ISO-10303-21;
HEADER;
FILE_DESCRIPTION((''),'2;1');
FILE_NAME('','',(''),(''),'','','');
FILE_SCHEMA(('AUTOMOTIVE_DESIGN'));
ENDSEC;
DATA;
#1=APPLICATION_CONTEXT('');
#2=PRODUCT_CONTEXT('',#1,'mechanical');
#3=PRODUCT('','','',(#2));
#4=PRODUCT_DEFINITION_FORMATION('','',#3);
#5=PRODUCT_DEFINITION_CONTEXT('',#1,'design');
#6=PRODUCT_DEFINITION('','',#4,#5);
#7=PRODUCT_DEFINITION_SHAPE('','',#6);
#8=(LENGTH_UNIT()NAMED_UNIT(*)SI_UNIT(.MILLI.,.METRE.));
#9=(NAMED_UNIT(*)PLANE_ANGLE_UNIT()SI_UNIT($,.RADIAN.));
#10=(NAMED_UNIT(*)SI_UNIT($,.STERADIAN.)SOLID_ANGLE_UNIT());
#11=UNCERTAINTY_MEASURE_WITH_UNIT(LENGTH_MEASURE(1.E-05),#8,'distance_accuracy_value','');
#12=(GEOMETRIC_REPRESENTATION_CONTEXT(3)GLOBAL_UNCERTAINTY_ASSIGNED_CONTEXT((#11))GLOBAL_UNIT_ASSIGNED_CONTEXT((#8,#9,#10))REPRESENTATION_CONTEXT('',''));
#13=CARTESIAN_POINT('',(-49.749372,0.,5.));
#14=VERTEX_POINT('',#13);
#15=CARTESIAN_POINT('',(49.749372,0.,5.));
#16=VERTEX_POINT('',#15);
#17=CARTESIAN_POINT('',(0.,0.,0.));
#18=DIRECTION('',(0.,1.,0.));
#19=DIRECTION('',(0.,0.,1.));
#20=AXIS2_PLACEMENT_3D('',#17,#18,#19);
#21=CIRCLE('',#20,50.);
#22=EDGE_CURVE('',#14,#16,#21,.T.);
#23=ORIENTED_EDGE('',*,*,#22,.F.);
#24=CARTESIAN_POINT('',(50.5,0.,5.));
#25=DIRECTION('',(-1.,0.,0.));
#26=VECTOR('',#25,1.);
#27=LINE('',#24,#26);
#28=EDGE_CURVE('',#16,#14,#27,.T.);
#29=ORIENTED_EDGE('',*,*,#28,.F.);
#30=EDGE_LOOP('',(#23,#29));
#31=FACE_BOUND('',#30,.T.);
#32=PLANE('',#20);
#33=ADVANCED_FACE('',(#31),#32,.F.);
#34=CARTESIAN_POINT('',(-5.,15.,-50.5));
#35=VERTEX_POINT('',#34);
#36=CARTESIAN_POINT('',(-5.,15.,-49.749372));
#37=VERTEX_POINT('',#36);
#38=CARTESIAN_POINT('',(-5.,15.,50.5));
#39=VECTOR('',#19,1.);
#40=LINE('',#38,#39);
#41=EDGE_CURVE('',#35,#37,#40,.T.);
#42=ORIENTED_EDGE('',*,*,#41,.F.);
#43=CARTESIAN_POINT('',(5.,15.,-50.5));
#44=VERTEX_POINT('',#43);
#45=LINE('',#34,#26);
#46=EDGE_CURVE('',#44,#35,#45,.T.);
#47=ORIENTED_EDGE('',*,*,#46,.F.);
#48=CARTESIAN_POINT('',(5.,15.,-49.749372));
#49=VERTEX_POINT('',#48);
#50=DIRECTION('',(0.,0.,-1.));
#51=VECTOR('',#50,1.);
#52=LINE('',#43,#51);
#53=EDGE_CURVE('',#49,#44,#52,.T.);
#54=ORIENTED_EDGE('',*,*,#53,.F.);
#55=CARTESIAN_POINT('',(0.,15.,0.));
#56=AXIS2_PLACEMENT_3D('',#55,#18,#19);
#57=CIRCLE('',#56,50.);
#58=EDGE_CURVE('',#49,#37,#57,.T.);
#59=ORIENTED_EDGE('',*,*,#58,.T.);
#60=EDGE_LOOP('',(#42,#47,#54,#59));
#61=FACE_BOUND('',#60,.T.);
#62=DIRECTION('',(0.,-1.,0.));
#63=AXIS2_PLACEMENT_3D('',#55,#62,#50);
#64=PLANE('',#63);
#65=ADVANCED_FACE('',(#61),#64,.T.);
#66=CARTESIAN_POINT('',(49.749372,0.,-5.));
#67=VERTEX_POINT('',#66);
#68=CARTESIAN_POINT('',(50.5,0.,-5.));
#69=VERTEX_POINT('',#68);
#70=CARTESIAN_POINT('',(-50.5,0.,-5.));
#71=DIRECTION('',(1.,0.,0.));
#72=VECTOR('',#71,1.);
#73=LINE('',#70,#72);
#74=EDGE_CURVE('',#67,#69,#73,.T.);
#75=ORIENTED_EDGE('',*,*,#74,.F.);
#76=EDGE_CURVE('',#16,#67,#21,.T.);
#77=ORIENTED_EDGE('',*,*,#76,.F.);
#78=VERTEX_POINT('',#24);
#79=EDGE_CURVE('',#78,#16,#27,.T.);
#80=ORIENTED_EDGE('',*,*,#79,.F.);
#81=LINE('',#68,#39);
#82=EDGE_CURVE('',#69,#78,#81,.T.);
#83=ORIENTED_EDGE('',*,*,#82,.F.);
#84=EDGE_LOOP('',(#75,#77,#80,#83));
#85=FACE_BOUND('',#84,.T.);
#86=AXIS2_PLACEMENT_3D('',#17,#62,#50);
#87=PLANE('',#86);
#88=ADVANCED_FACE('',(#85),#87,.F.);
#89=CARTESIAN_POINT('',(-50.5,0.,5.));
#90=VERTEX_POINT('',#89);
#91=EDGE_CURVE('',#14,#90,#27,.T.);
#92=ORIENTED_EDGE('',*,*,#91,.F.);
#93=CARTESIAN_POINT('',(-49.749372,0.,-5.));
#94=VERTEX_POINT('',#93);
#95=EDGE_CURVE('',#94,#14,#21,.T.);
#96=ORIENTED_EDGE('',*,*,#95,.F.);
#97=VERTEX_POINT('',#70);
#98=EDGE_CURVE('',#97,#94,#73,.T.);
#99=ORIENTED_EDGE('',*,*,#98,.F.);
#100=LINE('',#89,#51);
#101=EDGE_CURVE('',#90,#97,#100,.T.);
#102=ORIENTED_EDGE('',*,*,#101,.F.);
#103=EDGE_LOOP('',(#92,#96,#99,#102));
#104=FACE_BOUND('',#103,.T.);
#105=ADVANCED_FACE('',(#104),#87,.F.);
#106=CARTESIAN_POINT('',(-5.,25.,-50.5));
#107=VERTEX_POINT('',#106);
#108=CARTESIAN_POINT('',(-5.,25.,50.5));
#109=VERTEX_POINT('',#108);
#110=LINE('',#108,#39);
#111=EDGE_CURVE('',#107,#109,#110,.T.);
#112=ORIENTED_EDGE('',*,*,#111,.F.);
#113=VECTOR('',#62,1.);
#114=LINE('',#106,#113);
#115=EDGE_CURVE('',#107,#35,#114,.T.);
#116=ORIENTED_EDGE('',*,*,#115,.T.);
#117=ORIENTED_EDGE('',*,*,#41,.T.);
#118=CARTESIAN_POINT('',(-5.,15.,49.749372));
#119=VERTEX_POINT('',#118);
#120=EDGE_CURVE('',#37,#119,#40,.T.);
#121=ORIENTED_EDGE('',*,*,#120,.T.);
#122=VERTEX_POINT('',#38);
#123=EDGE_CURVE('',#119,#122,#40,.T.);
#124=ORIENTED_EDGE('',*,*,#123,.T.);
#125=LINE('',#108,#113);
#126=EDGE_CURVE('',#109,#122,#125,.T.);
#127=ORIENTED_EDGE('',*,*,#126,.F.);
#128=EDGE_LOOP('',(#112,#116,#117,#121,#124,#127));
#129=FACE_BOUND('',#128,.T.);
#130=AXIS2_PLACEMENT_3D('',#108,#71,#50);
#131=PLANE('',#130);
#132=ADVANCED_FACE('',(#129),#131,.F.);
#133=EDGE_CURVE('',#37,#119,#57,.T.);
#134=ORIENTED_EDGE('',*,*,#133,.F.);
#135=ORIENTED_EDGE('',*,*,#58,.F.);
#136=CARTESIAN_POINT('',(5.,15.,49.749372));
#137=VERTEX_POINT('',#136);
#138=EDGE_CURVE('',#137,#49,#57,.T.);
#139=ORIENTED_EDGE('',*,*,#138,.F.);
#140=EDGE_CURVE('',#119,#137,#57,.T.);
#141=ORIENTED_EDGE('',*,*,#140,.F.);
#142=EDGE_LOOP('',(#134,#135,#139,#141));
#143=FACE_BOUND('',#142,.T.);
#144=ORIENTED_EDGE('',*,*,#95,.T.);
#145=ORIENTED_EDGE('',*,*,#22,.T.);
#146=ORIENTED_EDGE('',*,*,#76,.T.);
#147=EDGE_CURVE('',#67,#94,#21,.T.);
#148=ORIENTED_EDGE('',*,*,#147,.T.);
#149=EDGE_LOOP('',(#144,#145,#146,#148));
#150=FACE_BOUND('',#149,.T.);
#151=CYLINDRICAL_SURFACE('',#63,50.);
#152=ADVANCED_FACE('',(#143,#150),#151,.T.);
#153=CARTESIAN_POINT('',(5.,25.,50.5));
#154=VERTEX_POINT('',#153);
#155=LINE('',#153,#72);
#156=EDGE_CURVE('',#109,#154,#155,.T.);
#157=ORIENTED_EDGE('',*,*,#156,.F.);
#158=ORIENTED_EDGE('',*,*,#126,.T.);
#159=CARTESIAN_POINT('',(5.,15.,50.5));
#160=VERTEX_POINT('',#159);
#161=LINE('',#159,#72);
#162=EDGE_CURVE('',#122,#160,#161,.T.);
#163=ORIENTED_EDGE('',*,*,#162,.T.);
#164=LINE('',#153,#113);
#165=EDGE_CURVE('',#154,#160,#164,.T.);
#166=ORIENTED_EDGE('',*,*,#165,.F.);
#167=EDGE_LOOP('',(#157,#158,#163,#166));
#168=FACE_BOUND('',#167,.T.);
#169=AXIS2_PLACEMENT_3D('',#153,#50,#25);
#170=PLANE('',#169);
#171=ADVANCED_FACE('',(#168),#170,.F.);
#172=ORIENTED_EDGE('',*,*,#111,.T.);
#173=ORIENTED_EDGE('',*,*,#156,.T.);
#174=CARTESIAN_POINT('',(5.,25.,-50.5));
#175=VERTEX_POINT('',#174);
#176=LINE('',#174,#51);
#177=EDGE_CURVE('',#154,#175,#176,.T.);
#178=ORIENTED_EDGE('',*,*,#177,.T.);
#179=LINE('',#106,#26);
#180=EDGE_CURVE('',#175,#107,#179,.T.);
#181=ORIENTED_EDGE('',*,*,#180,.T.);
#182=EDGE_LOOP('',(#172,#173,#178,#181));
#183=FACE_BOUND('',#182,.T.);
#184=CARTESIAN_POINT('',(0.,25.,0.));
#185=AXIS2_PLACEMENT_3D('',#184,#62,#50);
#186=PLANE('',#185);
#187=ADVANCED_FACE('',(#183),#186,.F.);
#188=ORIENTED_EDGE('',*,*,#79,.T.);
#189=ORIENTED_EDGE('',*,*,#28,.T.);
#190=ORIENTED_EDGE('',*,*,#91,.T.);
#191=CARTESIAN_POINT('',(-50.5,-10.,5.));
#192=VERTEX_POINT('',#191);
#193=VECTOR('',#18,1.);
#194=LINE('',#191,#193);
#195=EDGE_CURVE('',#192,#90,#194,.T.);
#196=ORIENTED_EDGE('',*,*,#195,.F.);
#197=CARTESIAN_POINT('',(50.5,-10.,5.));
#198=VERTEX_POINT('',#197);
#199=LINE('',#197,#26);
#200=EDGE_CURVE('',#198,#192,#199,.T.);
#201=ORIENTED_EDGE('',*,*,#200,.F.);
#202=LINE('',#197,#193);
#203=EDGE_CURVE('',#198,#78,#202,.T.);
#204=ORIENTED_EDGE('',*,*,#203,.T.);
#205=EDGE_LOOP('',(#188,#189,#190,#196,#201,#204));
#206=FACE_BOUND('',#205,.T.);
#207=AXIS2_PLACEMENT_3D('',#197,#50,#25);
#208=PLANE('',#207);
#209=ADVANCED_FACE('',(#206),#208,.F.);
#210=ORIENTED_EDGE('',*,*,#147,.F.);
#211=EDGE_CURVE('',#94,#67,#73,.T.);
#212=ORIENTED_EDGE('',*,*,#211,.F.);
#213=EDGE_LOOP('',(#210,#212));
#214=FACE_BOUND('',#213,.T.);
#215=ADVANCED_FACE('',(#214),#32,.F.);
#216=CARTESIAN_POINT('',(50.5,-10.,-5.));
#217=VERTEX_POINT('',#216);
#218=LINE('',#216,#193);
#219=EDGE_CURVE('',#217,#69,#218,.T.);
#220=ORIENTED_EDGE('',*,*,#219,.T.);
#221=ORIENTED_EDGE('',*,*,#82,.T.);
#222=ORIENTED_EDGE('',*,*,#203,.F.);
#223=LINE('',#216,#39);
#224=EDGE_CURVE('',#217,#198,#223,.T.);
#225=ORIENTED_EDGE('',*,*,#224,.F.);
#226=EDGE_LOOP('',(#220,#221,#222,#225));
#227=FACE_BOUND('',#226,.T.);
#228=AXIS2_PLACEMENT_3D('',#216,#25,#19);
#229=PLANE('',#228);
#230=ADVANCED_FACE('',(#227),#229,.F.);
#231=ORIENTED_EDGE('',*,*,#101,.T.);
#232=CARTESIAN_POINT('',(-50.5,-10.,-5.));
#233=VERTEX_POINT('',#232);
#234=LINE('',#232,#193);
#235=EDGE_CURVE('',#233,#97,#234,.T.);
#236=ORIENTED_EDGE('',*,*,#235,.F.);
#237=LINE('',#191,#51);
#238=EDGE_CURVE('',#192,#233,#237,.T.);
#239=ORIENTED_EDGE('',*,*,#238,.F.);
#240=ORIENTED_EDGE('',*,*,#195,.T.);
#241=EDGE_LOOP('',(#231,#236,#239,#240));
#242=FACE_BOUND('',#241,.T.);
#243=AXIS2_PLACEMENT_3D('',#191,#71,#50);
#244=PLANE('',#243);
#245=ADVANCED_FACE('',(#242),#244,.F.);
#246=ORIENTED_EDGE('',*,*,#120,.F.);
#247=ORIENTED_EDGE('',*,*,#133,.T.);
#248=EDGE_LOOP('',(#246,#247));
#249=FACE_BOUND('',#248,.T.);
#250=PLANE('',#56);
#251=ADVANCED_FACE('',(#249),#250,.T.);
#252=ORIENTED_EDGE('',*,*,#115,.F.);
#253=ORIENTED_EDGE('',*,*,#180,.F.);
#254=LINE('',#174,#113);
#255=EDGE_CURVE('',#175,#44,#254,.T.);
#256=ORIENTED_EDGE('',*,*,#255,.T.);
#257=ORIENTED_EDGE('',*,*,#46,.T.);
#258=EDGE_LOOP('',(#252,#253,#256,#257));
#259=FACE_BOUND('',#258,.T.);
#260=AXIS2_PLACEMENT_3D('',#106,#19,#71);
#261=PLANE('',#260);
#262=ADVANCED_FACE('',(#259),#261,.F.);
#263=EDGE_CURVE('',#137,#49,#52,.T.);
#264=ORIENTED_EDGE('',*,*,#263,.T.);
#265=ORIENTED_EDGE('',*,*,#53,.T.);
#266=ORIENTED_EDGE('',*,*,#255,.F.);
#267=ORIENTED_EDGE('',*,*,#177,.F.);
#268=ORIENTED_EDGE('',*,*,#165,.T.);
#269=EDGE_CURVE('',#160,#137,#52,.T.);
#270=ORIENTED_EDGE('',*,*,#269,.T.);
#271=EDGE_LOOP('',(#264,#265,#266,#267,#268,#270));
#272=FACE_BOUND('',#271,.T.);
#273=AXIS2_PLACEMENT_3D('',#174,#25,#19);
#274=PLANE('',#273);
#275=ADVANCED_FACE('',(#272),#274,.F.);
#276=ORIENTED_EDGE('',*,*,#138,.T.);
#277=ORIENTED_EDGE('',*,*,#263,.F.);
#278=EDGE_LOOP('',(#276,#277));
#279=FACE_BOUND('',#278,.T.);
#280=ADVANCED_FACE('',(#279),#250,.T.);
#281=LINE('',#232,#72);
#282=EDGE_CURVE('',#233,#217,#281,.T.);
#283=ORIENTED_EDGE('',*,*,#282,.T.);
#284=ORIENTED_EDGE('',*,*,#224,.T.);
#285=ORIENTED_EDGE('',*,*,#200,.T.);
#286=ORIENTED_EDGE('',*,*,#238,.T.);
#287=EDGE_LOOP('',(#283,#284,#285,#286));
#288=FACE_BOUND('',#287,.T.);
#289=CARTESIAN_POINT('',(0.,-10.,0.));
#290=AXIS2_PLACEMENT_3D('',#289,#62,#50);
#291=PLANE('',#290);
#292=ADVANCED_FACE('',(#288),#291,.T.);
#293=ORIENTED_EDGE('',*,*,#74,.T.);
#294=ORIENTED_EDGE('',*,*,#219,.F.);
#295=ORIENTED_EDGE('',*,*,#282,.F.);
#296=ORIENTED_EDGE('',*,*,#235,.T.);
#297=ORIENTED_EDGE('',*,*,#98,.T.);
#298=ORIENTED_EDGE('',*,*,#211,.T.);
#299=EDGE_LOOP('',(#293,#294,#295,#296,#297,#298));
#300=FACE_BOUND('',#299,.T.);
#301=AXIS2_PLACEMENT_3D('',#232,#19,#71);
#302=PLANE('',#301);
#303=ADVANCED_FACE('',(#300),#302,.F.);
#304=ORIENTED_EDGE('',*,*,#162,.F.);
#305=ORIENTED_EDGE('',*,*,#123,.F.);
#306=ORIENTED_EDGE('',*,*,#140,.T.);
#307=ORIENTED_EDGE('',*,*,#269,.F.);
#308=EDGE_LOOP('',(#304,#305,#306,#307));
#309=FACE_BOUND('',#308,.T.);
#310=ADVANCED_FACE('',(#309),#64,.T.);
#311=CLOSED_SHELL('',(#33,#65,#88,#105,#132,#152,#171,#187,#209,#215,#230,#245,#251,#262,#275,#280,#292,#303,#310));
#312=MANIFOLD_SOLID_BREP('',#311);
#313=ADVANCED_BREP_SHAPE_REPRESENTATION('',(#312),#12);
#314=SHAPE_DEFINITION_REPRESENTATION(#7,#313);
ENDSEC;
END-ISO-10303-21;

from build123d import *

# Parameters (mm, degrees)
SKETCH1_R           = 50
BOSS_EXTRUDE1_DEPTH = 15
SKETCH2_W           = 10
SKETCH2_H           = 101
BOSS_EXTRUDE2_DEPTH = 10
SKETCH3_W           = 101
SKETCH3_H           = 10
BOSS_EXTRUDE3_DEPTH = 10


with BuildPart() as part:
    # Sketch1 → Boss-Extrude1 (new body)
    with BuildSketch(Plane(origin=(0, 0, 0), x_dir=(1, 0, 0), z_dir=(0, 1, 0))):
        with Locations(Location((0, 0, 0), (0, 0, 270))):
            Circle(SKETCH1_R)
    extrude(amount=BOSS_EXTRUDE1_DEPTH)

    # Sketch2 → Boss-Extrude2 (add)
    with BuildSketch(Plane(origin=(0, 15, 0), x_dir=(1, 0, 0), z_dir=(0, 1, 0))):
        Rectangle(SKETCH2_W, SKETCH2_H)
    extrude(amount=BOSS_EXTRUDE2_DEPTH)

    # Sketch3 → Boss-Extrude3 (add)
    with BuildSketch(Plane.XZ):
        Rectangle(SKETCH3_W, SKETCH3_H)
    extrude(amount=BOSS_EXTRUDE3_DEPTH)


solid = part.part
